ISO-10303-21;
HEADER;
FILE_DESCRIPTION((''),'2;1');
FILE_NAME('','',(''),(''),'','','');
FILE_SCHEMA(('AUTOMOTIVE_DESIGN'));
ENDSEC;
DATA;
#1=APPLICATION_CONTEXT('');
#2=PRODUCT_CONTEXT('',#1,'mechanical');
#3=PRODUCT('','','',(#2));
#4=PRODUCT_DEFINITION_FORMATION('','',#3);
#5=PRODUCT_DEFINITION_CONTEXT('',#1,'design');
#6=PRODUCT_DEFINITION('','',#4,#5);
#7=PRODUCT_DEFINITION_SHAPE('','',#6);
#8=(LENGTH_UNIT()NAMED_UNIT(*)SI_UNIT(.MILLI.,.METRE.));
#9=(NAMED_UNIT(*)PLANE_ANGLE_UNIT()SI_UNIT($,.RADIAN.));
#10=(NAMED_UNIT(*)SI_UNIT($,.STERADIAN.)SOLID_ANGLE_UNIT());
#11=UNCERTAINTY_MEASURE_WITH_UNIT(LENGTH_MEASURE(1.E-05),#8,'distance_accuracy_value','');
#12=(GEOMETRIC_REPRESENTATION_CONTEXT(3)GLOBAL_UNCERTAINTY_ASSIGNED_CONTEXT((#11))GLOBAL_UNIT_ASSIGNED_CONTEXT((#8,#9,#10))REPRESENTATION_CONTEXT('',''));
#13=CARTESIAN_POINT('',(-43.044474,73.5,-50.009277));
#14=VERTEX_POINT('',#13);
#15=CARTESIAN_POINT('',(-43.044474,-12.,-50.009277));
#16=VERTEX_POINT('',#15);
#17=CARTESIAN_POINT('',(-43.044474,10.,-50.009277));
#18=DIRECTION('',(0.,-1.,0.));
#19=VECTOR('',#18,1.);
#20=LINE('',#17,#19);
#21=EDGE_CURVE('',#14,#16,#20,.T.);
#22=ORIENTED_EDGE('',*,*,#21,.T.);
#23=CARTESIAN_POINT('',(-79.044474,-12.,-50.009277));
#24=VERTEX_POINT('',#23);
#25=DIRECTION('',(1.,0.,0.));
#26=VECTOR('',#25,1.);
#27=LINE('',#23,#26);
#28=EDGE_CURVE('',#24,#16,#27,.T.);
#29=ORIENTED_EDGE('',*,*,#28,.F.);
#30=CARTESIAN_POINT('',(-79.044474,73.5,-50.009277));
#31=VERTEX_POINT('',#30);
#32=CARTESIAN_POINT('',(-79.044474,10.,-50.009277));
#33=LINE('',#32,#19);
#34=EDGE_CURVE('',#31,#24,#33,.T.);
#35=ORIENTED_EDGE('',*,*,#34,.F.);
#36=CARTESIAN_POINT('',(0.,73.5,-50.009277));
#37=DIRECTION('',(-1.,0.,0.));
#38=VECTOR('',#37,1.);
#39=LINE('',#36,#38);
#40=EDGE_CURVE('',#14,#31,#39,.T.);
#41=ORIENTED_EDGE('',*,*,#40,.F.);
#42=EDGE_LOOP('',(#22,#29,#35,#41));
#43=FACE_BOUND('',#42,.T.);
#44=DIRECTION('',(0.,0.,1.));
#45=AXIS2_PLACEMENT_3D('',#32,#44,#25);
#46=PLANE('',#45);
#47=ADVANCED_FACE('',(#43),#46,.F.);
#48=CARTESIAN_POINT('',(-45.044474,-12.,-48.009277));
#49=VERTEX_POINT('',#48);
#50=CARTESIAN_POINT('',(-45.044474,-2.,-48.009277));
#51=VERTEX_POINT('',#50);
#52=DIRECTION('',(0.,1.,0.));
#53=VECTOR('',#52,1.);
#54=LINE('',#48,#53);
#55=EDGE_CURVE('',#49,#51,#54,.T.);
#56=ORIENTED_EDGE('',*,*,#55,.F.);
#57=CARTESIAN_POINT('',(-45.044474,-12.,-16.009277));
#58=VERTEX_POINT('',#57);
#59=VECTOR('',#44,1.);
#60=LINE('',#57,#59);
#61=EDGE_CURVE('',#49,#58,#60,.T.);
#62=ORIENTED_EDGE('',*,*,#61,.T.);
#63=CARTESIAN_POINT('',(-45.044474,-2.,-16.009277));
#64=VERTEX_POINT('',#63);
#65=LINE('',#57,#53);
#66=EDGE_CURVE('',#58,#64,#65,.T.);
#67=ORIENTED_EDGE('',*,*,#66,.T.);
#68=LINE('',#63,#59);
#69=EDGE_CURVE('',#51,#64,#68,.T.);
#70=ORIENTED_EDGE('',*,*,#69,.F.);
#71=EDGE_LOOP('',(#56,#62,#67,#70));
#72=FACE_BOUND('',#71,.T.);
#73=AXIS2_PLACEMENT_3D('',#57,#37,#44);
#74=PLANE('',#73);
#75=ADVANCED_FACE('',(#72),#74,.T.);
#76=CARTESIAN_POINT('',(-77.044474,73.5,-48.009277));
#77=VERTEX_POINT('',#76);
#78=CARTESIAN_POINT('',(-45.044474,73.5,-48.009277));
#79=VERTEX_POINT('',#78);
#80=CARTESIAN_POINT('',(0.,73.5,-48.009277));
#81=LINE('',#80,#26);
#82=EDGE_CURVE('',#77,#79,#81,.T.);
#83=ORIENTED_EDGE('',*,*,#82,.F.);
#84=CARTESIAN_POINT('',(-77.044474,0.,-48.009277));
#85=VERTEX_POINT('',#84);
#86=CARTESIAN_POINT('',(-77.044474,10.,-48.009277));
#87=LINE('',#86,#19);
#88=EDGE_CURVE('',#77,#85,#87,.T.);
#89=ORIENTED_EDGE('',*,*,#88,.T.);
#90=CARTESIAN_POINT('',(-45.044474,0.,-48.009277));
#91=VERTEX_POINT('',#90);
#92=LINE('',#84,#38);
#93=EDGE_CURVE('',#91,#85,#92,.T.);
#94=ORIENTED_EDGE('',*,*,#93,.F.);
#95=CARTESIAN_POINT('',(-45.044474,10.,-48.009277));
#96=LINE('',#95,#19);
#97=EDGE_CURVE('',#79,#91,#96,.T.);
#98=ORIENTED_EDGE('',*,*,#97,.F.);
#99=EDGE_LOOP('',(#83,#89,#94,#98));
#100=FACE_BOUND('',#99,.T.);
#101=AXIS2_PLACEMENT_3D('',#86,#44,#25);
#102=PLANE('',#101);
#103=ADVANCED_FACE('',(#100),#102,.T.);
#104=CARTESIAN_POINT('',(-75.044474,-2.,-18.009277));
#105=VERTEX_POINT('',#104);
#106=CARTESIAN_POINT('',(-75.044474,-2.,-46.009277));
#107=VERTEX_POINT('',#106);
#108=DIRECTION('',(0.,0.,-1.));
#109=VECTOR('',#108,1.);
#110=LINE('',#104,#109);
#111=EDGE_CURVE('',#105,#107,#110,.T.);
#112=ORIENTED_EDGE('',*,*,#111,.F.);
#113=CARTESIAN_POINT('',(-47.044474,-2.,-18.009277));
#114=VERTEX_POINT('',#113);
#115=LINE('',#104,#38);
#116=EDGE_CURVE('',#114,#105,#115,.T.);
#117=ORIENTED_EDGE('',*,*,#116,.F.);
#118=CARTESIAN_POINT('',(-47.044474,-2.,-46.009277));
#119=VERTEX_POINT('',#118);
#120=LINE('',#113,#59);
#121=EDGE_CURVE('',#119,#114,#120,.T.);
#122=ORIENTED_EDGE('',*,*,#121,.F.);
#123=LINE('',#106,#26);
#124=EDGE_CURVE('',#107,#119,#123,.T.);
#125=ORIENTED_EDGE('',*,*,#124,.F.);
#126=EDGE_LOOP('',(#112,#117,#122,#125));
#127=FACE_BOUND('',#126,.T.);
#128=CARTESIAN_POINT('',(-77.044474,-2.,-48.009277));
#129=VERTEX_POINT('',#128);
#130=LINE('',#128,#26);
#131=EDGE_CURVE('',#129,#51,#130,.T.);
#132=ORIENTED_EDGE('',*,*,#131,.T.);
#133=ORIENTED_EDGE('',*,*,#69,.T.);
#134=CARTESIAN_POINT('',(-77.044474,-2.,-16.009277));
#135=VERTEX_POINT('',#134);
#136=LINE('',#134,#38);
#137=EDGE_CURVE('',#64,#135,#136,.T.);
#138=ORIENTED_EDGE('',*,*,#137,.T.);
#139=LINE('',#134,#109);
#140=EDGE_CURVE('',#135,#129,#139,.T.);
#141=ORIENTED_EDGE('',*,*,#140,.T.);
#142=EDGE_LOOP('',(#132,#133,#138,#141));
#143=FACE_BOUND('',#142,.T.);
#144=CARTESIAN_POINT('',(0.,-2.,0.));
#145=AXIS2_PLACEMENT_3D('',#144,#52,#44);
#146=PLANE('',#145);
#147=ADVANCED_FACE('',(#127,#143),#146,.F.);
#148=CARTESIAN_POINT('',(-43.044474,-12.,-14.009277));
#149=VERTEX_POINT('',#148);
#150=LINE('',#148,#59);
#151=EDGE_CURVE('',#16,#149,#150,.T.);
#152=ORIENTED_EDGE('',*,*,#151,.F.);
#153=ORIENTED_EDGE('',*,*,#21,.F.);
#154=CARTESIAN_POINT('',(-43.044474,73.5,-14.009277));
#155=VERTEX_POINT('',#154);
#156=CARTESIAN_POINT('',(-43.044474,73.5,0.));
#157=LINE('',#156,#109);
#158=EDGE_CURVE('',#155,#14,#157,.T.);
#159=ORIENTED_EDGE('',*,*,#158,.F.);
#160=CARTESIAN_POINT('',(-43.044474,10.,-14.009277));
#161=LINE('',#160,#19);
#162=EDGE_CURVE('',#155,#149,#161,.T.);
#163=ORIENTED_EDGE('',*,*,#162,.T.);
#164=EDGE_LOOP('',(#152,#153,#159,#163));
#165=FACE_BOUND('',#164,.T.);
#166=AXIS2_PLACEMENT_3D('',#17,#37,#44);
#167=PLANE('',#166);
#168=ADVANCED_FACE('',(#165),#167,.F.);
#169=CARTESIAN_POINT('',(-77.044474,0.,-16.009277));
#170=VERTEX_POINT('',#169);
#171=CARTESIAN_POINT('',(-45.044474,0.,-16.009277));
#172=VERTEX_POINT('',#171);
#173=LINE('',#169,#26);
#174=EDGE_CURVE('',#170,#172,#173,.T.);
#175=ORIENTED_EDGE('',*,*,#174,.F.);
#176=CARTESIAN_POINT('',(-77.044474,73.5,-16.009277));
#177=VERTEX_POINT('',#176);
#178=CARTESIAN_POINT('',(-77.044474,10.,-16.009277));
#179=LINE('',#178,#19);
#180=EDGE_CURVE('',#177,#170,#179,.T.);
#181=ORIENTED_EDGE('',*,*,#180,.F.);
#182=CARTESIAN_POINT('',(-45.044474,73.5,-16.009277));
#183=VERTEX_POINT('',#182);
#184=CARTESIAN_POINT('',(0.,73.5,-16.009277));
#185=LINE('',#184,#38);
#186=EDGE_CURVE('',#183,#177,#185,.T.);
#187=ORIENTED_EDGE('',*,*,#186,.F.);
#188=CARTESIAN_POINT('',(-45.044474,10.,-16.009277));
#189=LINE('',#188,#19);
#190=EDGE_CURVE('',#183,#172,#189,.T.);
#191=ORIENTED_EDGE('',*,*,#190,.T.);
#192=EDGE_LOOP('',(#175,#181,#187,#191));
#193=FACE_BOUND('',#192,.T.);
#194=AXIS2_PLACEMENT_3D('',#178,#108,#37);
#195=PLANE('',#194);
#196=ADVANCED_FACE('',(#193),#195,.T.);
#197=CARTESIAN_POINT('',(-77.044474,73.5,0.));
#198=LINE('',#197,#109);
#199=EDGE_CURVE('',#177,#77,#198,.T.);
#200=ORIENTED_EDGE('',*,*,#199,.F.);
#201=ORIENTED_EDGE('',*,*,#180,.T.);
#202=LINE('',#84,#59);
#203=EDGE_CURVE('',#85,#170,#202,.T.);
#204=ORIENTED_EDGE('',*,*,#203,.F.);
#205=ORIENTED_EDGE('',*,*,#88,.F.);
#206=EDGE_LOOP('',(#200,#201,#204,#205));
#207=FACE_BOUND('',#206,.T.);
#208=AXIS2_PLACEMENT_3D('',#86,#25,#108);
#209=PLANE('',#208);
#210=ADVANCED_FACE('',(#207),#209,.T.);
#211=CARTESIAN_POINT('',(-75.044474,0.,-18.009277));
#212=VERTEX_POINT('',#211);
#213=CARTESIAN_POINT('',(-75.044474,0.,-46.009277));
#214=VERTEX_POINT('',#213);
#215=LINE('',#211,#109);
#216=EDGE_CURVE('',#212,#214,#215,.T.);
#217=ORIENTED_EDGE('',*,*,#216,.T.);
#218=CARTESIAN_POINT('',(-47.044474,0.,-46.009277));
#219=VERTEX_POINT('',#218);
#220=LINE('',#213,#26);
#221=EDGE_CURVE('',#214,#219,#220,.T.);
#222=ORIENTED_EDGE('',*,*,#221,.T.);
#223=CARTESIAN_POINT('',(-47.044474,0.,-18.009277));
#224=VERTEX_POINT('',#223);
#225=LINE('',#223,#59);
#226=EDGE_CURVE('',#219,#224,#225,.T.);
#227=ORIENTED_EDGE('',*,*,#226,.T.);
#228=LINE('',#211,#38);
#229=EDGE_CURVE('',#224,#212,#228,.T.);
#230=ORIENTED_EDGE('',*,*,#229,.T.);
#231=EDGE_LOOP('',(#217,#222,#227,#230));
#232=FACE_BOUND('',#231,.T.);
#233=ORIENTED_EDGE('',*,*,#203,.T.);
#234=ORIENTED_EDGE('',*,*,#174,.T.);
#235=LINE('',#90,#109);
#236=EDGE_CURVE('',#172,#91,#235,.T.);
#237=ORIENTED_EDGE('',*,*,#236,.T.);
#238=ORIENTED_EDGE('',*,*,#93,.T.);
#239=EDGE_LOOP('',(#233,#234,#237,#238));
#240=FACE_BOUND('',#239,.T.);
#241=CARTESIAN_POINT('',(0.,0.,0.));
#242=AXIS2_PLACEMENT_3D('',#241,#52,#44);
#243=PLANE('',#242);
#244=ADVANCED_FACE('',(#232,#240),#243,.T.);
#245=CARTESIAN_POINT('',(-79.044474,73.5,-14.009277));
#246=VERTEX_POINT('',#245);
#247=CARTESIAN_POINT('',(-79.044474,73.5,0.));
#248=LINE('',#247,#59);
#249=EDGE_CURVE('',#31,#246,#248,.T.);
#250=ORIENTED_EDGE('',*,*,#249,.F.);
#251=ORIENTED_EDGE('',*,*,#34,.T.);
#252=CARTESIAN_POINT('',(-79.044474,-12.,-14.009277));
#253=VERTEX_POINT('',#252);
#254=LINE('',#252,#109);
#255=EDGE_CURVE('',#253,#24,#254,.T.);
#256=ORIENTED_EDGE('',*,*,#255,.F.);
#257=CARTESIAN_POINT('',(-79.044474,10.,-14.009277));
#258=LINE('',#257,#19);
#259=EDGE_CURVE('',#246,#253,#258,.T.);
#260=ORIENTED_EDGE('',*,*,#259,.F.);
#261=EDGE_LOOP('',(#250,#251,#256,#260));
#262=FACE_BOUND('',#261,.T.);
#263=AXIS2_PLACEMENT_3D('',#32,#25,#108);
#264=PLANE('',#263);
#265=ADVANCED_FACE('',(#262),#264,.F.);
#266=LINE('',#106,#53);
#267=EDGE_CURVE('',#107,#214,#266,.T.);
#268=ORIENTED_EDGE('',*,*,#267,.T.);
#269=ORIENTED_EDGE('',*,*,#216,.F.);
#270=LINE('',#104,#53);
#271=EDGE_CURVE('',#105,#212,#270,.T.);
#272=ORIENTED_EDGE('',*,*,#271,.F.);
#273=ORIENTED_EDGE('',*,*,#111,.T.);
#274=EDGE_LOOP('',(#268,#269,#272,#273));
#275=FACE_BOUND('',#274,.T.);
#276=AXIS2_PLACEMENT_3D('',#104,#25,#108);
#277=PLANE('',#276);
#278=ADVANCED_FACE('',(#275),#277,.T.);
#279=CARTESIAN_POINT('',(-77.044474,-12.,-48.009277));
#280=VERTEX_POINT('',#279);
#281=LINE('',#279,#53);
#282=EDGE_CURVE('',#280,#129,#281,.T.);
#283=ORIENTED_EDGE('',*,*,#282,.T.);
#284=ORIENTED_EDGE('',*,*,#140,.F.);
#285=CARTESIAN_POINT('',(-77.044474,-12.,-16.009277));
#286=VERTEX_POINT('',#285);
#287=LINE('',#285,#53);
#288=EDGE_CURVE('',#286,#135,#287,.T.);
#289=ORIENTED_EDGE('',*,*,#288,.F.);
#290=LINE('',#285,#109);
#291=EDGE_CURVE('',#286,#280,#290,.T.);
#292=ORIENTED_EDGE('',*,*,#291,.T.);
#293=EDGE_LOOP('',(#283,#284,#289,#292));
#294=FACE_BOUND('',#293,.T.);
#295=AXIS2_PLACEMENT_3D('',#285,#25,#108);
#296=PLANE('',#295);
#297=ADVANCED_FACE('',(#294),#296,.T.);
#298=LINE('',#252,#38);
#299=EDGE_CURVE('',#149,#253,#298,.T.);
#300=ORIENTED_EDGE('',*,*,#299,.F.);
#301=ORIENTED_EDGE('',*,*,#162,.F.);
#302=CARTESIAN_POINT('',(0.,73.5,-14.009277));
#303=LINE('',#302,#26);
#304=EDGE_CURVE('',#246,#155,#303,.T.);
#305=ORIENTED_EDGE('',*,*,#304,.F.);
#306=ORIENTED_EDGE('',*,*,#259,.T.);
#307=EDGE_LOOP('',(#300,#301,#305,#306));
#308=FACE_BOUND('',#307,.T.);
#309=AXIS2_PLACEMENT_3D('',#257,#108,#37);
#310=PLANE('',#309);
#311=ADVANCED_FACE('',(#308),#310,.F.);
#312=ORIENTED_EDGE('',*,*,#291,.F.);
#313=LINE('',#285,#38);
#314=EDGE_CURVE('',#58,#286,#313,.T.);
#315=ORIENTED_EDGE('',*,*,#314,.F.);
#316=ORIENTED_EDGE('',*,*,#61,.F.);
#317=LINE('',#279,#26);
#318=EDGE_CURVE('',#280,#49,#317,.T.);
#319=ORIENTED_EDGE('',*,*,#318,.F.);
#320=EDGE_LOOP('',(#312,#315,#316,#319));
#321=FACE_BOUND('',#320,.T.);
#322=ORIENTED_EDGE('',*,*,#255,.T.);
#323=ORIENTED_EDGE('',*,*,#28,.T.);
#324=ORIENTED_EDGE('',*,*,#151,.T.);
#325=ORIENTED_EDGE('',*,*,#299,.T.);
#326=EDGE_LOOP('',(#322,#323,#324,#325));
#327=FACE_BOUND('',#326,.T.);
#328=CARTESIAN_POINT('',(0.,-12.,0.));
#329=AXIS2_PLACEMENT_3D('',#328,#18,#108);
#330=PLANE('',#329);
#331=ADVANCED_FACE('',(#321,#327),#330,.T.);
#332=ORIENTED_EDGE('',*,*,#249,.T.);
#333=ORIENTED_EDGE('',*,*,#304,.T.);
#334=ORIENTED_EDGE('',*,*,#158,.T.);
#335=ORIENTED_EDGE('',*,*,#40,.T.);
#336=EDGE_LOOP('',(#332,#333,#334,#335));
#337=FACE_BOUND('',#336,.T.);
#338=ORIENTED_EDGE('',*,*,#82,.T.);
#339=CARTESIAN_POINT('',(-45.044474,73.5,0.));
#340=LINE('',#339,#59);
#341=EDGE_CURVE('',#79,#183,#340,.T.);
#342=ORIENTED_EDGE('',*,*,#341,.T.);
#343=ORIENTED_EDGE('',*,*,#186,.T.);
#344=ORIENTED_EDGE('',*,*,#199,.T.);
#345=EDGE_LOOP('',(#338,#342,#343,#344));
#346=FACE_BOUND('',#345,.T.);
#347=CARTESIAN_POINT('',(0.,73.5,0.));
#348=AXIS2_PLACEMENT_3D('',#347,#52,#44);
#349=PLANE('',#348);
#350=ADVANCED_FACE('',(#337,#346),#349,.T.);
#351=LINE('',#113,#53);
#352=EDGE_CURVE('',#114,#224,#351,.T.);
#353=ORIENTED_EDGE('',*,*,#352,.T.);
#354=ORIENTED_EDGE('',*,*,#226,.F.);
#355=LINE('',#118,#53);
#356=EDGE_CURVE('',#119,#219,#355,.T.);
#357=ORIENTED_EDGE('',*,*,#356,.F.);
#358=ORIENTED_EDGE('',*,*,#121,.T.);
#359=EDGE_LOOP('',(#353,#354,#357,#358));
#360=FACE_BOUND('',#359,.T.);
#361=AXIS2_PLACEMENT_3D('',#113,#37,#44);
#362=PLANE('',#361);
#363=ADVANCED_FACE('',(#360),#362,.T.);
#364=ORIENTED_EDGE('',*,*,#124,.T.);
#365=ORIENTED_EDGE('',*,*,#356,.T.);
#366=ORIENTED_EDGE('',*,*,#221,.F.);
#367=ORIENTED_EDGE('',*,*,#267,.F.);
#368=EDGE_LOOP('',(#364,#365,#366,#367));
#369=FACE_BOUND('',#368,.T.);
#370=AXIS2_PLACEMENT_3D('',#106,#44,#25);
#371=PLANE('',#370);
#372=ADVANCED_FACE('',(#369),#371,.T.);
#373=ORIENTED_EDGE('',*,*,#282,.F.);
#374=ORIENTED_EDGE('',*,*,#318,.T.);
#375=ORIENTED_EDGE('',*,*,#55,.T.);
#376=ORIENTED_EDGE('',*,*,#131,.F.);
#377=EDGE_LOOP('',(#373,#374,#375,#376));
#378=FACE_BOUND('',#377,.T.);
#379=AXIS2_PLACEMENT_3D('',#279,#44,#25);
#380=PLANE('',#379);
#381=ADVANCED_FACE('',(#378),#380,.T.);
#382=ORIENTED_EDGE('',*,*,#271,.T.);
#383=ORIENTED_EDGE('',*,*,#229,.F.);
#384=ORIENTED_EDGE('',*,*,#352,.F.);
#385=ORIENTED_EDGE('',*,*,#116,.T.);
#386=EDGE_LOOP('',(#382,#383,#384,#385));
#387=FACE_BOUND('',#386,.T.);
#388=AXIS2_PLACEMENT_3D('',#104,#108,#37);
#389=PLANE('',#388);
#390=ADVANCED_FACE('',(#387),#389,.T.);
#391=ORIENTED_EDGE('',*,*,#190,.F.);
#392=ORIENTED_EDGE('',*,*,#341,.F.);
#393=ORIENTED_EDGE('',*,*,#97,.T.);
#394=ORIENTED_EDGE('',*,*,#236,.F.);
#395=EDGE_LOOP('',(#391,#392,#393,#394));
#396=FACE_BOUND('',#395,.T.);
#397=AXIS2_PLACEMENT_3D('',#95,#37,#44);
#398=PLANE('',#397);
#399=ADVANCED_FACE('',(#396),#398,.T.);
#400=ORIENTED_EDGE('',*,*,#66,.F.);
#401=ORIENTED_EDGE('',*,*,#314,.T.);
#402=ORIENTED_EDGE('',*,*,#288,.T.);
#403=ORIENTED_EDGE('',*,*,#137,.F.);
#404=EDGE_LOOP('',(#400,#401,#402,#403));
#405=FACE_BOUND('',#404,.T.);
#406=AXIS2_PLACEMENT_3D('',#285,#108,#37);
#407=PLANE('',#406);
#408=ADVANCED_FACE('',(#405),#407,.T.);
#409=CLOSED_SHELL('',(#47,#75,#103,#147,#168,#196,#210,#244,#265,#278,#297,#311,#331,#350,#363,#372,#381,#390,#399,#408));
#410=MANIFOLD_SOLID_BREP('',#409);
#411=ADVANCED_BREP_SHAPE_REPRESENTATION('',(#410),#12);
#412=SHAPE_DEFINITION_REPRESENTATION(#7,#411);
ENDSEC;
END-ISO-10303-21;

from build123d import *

# Parameters (mm, degrees)
SKETCH1_W            = 36
SKETCH1_H            = 36
SKETCH1_W_2          = 32
SKETCH1_H_2          = 32
BOSS_EXTRUDE1_DEPTH  = 10
SKETCH5_W            = 36
SKETCH5_H            = 36
SKETCH5_W_2          = 32
SKETCH5_H_2          = 32
BOSS_EXTRUDE5_DEPTH  = 63.5
SKETCH2_W            = 36
SKETCH2_H            = 36
SKETCH2_W_2          = 28
SKETCH2_H_2          = 28
BOSS_EXTRUDE9_DEPTH  = 2
SKETCH9_W            = 36
SKETCH9_H            = 36
SKETCH9_W_2          = 32
SKETCH9_H_2          = 32
BOSS_EXTRUDE11_DEPTH = 10


with BuildPart() as part:
    # Sketch1 → Boss-Extrude1 (new body)
    with BuildSketch(Plane(origin=(0, 0, 0), x_dir=(1, 0, 0), z_dir=(0, 1, 0))):
        with Locations((-61.04447382, 32.009277239)):
            Rectangle(SKETCH1_W, SKETCH1_H)
        with Locations((-61.04447382, 32.009277239)):
            Rectangle(SKETCH1_W_2, SKETCH1_H_2, mode=Mode.SUBTRACT)
    extrude(amount=BOSS_EXTRUDE1_DEPTH)

    # Sketch5 → Boss-Extrude5 (add)
    with BuildSketch(Plane(origin=(0, 10, 0), x_dir=(1, 0, 0), z_dir=(0, 1, 0))):
        with Locations((-61.04447382, 32.009277239)):
            Rectangle(SKETCH5_W, SKETCH5_H)
        with Locations((-61.04447382, 32.009277239)):
            Rectangle(SKETCH5_W_2, SKETCH5_H_2, mode=Mode.SUBTRACT)
    extrude(amount=BOSS_EXTRUDE5_DEPTH)

    # Sketch2 → Boss-Extrude9 (add)
    with BuildSketch(Plane.XZ):
        with Locations((-61.04447382, -32.009277239)):
            Rectangle(SKETCH2_W, SKETCH2_H)
        with Locations((-61.04447382, -32.009277239)):
            Rectangle(SKETCH2_W_2, SKETCH2_H_2, mode=Mode.SUBTRACT)
    extrude(amount=BOSS_EXTRUDE9_DEPTH)

    # Sketch9 → Boss-Extrude11 (add)
    with BuildSketch(Plane.XZ.offset(2)):
        with Locations((-61.04447382, -32.009277239)):
            Rectangle(SKETCH9_W, SKETCH9_H)
        with Locations((-61.04447382, -32.009277239)):
            Rectangle(SKETCH9_W_2, SKETCH9_H_2, mode=Mode.SUBTRACT)
    extrude(amount=BOSS_EXTRUDE11_DEPTH)


solid = part.part
